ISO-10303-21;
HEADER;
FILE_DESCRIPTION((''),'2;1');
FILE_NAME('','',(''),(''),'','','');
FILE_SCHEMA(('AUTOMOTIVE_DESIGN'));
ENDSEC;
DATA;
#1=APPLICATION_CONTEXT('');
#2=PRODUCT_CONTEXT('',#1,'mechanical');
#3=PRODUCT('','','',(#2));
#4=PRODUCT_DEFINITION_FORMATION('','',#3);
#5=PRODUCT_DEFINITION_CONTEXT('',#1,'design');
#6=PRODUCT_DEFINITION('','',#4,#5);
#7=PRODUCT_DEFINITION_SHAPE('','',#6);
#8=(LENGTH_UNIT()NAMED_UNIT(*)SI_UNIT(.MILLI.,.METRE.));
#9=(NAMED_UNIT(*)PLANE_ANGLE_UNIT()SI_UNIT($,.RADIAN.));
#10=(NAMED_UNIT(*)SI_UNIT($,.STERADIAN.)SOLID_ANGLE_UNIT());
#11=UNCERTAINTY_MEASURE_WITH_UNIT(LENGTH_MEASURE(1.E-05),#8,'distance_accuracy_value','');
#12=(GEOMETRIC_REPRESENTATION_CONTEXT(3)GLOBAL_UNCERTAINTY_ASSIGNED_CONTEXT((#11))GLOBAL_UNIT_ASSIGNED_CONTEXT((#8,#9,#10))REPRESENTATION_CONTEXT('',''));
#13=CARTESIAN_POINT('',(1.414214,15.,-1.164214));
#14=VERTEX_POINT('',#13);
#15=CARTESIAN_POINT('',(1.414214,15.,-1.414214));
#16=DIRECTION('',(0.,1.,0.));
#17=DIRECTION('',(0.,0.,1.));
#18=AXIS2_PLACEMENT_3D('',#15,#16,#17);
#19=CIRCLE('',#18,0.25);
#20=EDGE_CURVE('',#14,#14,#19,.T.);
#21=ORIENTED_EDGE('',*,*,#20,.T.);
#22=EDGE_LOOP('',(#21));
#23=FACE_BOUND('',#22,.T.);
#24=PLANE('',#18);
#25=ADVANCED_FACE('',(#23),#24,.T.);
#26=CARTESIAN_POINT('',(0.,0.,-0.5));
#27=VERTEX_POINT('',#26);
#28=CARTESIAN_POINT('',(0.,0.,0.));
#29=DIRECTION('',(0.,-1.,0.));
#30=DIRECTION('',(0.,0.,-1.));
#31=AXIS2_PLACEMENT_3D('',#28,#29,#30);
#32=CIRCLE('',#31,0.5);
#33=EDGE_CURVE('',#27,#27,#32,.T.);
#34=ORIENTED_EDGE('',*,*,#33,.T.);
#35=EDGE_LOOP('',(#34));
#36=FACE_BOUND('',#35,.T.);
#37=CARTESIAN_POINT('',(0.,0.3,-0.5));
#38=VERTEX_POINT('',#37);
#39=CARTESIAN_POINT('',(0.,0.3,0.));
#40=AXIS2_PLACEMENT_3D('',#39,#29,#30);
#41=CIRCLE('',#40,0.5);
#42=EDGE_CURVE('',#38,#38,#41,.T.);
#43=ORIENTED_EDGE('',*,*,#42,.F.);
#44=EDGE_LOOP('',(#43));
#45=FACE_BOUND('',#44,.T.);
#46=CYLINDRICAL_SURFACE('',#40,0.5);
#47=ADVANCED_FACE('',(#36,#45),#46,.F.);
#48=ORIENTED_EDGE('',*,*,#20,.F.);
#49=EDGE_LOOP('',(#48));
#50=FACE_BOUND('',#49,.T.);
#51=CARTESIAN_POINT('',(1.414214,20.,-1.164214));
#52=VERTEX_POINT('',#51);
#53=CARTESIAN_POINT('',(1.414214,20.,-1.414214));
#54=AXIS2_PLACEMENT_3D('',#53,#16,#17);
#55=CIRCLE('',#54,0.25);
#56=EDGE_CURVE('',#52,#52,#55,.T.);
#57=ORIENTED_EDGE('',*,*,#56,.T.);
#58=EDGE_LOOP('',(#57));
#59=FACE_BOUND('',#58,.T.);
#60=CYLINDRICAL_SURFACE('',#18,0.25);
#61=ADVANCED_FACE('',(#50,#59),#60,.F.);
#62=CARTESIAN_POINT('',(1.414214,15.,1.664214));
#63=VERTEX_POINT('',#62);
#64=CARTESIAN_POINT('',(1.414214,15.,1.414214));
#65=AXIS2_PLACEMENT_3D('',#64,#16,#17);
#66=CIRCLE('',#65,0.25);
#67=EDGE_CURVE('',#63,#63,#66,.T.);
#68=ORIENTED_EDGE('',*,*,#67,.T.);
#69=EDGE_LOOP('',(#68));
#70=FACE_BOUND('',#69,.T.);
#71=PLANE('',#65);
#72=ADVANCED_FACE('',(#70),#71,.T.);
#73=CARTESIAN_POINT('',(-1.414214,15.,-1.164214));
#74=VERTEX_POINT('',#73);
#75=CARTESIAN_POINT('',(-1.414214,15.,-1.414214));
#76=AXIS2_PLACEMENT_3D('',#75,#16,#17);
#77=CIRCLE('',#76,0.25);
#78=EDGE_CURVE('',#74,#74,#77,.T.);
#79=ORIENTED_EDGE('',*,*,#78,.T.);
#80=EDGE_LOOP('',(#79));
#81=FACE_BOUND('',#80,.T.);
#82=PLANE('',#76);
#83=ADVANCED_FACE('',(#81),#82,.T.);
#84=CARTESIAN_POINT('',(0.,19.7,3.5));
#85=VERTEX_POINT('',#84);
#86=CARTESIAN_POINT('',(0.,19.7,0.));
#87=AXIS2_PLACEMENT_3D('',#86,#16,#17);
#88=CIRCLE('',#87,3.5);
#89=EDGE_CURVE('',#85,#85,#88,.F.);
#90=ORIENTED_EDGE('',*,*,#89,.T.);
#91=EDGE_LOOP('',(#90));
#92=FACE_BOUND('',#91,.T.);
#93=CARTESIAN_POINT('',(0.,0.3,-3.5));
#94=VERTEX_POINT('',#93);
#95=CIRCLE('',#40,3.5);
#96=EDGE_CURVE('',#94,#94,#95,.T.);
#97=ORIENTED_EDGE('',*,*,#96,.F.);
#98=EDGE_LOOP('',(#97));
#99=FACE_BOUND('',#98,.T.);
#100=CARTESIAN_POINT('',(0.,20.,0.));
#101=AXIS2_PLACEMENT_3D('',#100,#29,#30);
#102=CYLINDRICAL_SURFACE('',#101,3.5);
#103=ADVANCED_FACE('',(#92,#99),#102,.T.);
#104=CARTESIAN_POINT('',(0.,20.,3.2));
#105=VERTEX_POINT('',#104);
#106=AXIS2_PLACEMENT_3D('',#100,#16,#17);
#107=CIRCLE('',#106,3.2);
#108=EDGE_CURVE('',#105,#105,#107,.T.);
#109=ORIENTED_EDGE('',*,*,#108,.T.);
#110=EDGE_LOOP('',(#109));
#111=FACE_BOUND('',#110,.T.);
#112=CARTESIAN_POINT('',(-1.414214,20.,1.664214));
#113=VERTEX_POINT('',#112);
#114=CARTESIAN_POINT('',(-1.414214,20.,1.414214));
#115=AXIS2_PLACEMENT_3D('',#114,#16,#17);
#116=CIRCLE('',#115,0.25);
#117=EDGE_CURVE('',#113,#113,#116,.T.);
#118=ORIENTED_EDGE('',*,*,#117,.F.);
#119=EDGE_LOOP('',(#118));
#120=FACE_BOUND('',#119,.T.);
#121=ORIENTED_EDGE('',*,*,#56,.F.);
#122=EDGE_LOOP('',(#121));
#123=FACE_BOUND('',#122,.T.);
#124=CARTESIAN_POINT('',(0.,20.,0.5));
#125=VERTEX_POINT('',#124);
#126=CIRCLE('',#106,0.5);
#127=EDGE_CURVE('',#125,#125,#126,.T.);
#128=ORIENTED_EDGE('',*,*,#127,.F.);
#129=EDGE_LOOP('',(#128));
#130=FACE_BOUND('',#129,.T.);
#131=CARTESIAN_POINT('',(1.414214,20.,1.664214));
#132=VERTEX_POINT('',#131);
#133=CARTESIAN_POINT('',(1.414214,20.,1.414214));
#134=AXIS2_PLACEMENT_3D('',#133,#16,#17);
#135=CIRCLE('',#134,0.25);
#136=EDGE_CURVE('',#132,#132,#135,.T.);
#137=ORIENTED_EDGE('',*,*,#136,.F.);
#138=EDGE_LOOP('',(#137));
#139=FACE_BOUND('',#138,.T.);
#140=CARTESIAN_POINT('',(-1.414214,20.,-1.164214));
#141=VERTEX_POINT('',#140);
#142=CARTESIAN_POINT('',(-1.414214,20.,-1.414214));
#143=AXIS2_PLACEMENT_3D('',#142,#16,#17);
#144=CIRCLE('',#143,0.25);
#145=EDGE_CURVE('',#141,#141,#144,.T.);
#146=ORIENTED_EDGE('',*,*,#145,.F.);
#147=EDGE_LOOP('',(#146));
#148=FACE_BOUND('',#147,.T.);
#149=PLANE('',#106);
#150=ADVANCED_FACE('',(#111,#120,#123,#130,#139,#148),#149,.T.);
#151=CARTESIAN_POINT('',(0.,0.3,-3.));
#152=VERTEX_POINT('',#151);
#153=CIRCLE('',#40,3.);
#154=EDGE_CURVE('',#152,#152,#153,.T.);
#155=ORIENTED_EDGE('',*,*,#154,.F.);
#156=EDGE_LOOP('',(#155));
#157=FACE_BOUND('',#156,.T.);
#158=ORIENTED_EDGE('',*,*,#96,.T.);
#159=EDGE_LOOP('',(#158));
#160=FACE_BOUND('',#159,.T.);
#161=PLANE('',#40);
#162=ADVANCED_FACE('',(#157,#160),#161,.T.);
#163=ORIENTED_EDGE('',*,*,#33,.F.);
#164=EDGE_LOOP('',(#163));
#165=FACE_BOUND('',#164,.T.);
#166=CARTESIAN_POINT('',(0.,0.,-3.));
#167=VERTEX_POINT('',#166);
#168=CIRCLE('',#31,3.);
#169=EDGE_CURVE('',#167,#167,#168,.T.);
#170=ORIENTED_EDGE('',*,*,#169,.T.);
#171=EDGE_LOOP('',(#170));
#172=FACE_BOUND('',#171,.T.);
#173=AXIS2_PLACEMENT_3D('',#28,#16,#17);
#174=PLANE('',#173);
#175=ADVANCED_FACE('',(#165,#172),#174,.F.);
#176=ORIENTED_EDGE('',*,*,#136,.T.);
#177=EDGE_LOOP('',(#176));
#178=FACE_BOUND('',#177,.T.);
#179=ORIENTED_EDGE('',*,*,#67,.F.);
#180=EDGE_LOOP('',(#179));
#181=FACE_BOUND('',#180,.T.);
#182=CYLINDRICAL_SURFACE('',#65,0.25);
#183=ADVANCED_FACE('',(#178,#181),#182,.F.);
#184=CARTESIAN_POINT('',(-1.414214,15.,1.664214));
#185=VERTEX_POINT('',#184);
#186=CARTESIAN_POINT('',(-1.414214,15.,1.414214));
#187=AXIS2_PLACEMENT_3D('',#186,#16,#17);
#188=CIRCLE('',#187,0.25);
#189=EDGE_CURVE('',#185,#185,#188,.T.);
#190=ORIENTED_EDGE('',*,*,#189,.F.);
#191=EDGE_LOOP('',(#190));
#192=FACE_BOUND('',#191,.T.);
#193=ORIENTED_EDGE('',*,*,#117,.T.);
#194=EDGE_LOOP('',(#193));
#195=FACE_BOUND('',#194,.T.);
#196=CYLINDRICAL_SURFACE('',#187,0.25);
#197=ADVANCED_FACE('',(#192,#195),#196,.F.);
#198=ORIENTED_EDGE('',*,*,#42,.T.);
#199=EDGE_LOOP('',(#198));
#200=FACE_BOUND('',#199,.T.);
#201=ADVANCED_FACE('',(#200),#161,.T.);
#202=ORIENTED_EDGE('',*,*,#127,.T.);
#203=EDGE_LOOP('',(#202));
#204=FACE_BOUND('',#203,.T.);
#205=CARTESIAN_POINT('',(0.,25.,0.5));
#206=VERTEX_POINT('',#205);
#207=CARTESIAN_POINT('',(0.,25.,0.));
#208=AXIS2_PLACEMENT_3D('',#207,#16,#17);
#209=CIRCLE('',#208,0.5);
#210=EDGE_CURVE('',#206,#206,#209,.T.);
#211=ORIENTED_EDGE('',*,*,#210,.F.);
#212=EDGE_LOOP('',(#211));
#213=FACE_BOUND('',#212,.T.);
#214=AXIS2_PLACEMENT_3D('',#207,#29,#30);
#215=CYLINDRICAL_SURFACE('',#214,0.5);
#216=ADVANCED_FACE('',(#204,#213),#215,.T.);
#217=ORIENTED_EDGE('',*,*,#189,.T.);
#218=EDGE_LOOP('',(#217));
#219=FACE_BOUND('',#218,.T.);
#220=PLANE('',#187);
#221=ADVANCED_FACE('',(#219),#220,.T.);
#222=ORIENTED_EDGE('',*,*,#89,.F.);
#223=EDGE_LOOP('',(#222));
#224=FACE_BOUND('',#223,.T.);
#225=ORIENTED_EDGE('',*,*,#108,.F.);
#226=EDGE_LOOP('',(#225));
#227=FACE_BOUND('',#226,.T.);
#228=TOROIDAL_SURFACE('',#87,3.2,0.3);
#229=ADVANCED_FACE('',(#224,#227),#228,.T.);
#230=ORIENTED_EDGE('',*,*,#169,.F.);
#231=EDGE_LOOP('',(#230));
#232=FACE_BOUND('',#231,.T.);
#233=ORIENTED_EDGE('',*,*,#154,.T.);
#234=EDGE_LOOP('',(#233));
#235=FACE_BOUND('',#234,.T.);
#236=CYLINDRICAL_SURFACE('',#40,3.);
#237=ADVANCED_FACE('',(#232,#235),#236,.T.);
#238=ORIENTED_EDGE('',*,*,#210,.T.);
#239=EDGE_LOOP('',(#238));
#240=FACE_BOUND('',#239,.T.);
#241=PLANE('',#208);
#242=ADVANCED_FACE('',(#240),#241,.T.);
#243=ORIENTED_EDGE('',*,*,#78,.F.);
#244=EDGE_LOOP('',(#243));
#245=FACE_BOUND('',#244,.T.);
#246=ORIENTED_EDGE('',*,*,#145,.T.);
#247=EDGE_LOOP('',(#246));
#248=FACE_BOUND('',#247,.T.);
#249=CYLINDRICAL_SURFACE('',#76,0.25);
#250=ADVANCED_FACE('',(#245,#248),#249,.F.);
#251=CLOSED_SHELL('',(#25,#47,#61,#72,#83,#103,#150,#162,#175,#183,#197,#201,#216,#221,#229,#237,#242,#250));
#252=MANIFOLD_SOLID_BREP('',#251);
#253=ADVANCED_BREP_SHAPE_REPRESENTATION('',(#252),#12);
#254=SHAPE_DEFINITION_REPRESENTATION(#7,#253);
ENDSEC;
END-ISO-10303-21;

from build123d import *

# Parameters (mm, degrees)
SKETCH_1_R          = 3.5
EXTRUDE_1_DEPTH     = 20
SKETCH_2_R          = 0.5
EXTRUDE_2_DEPTH     = 5
FILLET_1_R          = 0.3
SKETCH_3_R          = 0.25
CUT_EXTRUDE_1_DEPTH = 5
SKETCH_4_OUTSIDE_W  = 14.378
SKETCH_4_OUTSIDE_H  = 14.378
SKETCH_4_OUTSIDE_R  = 3
CUT_EXTRUDE_2_DEPTH = 0.3
SKETCH_5_R          = 0.5
CUT_EXTRUDE_3_DEPTH = 0.3


with BuildPart() as part:
    # 草图1 → 凸台-拉伸1 (new body)
    with BuildSketch(Plane(origin=(0, 0, 0), x_dir=(1, 0, 0), z_dir=(0, 1, 0))):
        Circle(SKETCH_1_R)
    extrude(amount=EXTRUDE_1_DEPTH)

    # 草图2 → 凸台-拉伸2 (add)
    with BuildSketch(Plane(origin=(0, 20, 0), x_dir=(1, 0, 0), z_dir=(0, 1, 0))):
        Circle(SKETCH_2_R)
    extrude(amount=EXTRUDE_2_DEPTH)

    # 圆角1
    fillet_1_edges = [part.edges().sort_by_distance(p)[0] for p in [
        (-3.5, 20, 0),
    ]]
    fillet(fillet_1_edges, radius=FILLET_1_R)

    # 草图3 → 切除-拉伸1 (cut)
    with BuildSketch(Plane(origin=(0, 20, 0), x_dir=(1, 0, 0), z_dir=(0, 1, 0))):
        with Locations((-1.414213562, 1.414213562)):
            Circle(SKETCH_3_R)
        with Locations((1.414213562, 1.414213562)):
            Circle(SKETCH_3_R)
        with Locations((1.414213562, -1.414213562)):
            Circle(SKETCH_3_R)
        with Locations((-1.414213562, -1.414213562)):
            Circle(SKETCH_3_R)
    extrude(amount=-CUT_EXTRUDE_1_DEPTH, mode=Mode.SUBTRACT)

    # 草图4 outside → 切除-拉伸2 (cut)
    with BuildSketch(Plane.XZ):
        Rectangle(SKETCH_4_OUTSIDE_W, SKETCH_4_OUTSIDE_H)
        Circle(SKETCH_4_OUTSIDE_R, mode=Mode.SUBTRACT)
    extrude(amount=-CUT_EXTRUDE_2_DEPTH, mode=Mode.SUBTRACT)

    # 草图5 → 切除-拉伸3 (cut)
    with BuildSketch(Plane.XZ):
        Circle(SKETCH_5_R)
    extrude(amount=-CUT_EXTRUDE_3_DEPTH, mode=Mode.SUBTRACT)


solid = part.part
